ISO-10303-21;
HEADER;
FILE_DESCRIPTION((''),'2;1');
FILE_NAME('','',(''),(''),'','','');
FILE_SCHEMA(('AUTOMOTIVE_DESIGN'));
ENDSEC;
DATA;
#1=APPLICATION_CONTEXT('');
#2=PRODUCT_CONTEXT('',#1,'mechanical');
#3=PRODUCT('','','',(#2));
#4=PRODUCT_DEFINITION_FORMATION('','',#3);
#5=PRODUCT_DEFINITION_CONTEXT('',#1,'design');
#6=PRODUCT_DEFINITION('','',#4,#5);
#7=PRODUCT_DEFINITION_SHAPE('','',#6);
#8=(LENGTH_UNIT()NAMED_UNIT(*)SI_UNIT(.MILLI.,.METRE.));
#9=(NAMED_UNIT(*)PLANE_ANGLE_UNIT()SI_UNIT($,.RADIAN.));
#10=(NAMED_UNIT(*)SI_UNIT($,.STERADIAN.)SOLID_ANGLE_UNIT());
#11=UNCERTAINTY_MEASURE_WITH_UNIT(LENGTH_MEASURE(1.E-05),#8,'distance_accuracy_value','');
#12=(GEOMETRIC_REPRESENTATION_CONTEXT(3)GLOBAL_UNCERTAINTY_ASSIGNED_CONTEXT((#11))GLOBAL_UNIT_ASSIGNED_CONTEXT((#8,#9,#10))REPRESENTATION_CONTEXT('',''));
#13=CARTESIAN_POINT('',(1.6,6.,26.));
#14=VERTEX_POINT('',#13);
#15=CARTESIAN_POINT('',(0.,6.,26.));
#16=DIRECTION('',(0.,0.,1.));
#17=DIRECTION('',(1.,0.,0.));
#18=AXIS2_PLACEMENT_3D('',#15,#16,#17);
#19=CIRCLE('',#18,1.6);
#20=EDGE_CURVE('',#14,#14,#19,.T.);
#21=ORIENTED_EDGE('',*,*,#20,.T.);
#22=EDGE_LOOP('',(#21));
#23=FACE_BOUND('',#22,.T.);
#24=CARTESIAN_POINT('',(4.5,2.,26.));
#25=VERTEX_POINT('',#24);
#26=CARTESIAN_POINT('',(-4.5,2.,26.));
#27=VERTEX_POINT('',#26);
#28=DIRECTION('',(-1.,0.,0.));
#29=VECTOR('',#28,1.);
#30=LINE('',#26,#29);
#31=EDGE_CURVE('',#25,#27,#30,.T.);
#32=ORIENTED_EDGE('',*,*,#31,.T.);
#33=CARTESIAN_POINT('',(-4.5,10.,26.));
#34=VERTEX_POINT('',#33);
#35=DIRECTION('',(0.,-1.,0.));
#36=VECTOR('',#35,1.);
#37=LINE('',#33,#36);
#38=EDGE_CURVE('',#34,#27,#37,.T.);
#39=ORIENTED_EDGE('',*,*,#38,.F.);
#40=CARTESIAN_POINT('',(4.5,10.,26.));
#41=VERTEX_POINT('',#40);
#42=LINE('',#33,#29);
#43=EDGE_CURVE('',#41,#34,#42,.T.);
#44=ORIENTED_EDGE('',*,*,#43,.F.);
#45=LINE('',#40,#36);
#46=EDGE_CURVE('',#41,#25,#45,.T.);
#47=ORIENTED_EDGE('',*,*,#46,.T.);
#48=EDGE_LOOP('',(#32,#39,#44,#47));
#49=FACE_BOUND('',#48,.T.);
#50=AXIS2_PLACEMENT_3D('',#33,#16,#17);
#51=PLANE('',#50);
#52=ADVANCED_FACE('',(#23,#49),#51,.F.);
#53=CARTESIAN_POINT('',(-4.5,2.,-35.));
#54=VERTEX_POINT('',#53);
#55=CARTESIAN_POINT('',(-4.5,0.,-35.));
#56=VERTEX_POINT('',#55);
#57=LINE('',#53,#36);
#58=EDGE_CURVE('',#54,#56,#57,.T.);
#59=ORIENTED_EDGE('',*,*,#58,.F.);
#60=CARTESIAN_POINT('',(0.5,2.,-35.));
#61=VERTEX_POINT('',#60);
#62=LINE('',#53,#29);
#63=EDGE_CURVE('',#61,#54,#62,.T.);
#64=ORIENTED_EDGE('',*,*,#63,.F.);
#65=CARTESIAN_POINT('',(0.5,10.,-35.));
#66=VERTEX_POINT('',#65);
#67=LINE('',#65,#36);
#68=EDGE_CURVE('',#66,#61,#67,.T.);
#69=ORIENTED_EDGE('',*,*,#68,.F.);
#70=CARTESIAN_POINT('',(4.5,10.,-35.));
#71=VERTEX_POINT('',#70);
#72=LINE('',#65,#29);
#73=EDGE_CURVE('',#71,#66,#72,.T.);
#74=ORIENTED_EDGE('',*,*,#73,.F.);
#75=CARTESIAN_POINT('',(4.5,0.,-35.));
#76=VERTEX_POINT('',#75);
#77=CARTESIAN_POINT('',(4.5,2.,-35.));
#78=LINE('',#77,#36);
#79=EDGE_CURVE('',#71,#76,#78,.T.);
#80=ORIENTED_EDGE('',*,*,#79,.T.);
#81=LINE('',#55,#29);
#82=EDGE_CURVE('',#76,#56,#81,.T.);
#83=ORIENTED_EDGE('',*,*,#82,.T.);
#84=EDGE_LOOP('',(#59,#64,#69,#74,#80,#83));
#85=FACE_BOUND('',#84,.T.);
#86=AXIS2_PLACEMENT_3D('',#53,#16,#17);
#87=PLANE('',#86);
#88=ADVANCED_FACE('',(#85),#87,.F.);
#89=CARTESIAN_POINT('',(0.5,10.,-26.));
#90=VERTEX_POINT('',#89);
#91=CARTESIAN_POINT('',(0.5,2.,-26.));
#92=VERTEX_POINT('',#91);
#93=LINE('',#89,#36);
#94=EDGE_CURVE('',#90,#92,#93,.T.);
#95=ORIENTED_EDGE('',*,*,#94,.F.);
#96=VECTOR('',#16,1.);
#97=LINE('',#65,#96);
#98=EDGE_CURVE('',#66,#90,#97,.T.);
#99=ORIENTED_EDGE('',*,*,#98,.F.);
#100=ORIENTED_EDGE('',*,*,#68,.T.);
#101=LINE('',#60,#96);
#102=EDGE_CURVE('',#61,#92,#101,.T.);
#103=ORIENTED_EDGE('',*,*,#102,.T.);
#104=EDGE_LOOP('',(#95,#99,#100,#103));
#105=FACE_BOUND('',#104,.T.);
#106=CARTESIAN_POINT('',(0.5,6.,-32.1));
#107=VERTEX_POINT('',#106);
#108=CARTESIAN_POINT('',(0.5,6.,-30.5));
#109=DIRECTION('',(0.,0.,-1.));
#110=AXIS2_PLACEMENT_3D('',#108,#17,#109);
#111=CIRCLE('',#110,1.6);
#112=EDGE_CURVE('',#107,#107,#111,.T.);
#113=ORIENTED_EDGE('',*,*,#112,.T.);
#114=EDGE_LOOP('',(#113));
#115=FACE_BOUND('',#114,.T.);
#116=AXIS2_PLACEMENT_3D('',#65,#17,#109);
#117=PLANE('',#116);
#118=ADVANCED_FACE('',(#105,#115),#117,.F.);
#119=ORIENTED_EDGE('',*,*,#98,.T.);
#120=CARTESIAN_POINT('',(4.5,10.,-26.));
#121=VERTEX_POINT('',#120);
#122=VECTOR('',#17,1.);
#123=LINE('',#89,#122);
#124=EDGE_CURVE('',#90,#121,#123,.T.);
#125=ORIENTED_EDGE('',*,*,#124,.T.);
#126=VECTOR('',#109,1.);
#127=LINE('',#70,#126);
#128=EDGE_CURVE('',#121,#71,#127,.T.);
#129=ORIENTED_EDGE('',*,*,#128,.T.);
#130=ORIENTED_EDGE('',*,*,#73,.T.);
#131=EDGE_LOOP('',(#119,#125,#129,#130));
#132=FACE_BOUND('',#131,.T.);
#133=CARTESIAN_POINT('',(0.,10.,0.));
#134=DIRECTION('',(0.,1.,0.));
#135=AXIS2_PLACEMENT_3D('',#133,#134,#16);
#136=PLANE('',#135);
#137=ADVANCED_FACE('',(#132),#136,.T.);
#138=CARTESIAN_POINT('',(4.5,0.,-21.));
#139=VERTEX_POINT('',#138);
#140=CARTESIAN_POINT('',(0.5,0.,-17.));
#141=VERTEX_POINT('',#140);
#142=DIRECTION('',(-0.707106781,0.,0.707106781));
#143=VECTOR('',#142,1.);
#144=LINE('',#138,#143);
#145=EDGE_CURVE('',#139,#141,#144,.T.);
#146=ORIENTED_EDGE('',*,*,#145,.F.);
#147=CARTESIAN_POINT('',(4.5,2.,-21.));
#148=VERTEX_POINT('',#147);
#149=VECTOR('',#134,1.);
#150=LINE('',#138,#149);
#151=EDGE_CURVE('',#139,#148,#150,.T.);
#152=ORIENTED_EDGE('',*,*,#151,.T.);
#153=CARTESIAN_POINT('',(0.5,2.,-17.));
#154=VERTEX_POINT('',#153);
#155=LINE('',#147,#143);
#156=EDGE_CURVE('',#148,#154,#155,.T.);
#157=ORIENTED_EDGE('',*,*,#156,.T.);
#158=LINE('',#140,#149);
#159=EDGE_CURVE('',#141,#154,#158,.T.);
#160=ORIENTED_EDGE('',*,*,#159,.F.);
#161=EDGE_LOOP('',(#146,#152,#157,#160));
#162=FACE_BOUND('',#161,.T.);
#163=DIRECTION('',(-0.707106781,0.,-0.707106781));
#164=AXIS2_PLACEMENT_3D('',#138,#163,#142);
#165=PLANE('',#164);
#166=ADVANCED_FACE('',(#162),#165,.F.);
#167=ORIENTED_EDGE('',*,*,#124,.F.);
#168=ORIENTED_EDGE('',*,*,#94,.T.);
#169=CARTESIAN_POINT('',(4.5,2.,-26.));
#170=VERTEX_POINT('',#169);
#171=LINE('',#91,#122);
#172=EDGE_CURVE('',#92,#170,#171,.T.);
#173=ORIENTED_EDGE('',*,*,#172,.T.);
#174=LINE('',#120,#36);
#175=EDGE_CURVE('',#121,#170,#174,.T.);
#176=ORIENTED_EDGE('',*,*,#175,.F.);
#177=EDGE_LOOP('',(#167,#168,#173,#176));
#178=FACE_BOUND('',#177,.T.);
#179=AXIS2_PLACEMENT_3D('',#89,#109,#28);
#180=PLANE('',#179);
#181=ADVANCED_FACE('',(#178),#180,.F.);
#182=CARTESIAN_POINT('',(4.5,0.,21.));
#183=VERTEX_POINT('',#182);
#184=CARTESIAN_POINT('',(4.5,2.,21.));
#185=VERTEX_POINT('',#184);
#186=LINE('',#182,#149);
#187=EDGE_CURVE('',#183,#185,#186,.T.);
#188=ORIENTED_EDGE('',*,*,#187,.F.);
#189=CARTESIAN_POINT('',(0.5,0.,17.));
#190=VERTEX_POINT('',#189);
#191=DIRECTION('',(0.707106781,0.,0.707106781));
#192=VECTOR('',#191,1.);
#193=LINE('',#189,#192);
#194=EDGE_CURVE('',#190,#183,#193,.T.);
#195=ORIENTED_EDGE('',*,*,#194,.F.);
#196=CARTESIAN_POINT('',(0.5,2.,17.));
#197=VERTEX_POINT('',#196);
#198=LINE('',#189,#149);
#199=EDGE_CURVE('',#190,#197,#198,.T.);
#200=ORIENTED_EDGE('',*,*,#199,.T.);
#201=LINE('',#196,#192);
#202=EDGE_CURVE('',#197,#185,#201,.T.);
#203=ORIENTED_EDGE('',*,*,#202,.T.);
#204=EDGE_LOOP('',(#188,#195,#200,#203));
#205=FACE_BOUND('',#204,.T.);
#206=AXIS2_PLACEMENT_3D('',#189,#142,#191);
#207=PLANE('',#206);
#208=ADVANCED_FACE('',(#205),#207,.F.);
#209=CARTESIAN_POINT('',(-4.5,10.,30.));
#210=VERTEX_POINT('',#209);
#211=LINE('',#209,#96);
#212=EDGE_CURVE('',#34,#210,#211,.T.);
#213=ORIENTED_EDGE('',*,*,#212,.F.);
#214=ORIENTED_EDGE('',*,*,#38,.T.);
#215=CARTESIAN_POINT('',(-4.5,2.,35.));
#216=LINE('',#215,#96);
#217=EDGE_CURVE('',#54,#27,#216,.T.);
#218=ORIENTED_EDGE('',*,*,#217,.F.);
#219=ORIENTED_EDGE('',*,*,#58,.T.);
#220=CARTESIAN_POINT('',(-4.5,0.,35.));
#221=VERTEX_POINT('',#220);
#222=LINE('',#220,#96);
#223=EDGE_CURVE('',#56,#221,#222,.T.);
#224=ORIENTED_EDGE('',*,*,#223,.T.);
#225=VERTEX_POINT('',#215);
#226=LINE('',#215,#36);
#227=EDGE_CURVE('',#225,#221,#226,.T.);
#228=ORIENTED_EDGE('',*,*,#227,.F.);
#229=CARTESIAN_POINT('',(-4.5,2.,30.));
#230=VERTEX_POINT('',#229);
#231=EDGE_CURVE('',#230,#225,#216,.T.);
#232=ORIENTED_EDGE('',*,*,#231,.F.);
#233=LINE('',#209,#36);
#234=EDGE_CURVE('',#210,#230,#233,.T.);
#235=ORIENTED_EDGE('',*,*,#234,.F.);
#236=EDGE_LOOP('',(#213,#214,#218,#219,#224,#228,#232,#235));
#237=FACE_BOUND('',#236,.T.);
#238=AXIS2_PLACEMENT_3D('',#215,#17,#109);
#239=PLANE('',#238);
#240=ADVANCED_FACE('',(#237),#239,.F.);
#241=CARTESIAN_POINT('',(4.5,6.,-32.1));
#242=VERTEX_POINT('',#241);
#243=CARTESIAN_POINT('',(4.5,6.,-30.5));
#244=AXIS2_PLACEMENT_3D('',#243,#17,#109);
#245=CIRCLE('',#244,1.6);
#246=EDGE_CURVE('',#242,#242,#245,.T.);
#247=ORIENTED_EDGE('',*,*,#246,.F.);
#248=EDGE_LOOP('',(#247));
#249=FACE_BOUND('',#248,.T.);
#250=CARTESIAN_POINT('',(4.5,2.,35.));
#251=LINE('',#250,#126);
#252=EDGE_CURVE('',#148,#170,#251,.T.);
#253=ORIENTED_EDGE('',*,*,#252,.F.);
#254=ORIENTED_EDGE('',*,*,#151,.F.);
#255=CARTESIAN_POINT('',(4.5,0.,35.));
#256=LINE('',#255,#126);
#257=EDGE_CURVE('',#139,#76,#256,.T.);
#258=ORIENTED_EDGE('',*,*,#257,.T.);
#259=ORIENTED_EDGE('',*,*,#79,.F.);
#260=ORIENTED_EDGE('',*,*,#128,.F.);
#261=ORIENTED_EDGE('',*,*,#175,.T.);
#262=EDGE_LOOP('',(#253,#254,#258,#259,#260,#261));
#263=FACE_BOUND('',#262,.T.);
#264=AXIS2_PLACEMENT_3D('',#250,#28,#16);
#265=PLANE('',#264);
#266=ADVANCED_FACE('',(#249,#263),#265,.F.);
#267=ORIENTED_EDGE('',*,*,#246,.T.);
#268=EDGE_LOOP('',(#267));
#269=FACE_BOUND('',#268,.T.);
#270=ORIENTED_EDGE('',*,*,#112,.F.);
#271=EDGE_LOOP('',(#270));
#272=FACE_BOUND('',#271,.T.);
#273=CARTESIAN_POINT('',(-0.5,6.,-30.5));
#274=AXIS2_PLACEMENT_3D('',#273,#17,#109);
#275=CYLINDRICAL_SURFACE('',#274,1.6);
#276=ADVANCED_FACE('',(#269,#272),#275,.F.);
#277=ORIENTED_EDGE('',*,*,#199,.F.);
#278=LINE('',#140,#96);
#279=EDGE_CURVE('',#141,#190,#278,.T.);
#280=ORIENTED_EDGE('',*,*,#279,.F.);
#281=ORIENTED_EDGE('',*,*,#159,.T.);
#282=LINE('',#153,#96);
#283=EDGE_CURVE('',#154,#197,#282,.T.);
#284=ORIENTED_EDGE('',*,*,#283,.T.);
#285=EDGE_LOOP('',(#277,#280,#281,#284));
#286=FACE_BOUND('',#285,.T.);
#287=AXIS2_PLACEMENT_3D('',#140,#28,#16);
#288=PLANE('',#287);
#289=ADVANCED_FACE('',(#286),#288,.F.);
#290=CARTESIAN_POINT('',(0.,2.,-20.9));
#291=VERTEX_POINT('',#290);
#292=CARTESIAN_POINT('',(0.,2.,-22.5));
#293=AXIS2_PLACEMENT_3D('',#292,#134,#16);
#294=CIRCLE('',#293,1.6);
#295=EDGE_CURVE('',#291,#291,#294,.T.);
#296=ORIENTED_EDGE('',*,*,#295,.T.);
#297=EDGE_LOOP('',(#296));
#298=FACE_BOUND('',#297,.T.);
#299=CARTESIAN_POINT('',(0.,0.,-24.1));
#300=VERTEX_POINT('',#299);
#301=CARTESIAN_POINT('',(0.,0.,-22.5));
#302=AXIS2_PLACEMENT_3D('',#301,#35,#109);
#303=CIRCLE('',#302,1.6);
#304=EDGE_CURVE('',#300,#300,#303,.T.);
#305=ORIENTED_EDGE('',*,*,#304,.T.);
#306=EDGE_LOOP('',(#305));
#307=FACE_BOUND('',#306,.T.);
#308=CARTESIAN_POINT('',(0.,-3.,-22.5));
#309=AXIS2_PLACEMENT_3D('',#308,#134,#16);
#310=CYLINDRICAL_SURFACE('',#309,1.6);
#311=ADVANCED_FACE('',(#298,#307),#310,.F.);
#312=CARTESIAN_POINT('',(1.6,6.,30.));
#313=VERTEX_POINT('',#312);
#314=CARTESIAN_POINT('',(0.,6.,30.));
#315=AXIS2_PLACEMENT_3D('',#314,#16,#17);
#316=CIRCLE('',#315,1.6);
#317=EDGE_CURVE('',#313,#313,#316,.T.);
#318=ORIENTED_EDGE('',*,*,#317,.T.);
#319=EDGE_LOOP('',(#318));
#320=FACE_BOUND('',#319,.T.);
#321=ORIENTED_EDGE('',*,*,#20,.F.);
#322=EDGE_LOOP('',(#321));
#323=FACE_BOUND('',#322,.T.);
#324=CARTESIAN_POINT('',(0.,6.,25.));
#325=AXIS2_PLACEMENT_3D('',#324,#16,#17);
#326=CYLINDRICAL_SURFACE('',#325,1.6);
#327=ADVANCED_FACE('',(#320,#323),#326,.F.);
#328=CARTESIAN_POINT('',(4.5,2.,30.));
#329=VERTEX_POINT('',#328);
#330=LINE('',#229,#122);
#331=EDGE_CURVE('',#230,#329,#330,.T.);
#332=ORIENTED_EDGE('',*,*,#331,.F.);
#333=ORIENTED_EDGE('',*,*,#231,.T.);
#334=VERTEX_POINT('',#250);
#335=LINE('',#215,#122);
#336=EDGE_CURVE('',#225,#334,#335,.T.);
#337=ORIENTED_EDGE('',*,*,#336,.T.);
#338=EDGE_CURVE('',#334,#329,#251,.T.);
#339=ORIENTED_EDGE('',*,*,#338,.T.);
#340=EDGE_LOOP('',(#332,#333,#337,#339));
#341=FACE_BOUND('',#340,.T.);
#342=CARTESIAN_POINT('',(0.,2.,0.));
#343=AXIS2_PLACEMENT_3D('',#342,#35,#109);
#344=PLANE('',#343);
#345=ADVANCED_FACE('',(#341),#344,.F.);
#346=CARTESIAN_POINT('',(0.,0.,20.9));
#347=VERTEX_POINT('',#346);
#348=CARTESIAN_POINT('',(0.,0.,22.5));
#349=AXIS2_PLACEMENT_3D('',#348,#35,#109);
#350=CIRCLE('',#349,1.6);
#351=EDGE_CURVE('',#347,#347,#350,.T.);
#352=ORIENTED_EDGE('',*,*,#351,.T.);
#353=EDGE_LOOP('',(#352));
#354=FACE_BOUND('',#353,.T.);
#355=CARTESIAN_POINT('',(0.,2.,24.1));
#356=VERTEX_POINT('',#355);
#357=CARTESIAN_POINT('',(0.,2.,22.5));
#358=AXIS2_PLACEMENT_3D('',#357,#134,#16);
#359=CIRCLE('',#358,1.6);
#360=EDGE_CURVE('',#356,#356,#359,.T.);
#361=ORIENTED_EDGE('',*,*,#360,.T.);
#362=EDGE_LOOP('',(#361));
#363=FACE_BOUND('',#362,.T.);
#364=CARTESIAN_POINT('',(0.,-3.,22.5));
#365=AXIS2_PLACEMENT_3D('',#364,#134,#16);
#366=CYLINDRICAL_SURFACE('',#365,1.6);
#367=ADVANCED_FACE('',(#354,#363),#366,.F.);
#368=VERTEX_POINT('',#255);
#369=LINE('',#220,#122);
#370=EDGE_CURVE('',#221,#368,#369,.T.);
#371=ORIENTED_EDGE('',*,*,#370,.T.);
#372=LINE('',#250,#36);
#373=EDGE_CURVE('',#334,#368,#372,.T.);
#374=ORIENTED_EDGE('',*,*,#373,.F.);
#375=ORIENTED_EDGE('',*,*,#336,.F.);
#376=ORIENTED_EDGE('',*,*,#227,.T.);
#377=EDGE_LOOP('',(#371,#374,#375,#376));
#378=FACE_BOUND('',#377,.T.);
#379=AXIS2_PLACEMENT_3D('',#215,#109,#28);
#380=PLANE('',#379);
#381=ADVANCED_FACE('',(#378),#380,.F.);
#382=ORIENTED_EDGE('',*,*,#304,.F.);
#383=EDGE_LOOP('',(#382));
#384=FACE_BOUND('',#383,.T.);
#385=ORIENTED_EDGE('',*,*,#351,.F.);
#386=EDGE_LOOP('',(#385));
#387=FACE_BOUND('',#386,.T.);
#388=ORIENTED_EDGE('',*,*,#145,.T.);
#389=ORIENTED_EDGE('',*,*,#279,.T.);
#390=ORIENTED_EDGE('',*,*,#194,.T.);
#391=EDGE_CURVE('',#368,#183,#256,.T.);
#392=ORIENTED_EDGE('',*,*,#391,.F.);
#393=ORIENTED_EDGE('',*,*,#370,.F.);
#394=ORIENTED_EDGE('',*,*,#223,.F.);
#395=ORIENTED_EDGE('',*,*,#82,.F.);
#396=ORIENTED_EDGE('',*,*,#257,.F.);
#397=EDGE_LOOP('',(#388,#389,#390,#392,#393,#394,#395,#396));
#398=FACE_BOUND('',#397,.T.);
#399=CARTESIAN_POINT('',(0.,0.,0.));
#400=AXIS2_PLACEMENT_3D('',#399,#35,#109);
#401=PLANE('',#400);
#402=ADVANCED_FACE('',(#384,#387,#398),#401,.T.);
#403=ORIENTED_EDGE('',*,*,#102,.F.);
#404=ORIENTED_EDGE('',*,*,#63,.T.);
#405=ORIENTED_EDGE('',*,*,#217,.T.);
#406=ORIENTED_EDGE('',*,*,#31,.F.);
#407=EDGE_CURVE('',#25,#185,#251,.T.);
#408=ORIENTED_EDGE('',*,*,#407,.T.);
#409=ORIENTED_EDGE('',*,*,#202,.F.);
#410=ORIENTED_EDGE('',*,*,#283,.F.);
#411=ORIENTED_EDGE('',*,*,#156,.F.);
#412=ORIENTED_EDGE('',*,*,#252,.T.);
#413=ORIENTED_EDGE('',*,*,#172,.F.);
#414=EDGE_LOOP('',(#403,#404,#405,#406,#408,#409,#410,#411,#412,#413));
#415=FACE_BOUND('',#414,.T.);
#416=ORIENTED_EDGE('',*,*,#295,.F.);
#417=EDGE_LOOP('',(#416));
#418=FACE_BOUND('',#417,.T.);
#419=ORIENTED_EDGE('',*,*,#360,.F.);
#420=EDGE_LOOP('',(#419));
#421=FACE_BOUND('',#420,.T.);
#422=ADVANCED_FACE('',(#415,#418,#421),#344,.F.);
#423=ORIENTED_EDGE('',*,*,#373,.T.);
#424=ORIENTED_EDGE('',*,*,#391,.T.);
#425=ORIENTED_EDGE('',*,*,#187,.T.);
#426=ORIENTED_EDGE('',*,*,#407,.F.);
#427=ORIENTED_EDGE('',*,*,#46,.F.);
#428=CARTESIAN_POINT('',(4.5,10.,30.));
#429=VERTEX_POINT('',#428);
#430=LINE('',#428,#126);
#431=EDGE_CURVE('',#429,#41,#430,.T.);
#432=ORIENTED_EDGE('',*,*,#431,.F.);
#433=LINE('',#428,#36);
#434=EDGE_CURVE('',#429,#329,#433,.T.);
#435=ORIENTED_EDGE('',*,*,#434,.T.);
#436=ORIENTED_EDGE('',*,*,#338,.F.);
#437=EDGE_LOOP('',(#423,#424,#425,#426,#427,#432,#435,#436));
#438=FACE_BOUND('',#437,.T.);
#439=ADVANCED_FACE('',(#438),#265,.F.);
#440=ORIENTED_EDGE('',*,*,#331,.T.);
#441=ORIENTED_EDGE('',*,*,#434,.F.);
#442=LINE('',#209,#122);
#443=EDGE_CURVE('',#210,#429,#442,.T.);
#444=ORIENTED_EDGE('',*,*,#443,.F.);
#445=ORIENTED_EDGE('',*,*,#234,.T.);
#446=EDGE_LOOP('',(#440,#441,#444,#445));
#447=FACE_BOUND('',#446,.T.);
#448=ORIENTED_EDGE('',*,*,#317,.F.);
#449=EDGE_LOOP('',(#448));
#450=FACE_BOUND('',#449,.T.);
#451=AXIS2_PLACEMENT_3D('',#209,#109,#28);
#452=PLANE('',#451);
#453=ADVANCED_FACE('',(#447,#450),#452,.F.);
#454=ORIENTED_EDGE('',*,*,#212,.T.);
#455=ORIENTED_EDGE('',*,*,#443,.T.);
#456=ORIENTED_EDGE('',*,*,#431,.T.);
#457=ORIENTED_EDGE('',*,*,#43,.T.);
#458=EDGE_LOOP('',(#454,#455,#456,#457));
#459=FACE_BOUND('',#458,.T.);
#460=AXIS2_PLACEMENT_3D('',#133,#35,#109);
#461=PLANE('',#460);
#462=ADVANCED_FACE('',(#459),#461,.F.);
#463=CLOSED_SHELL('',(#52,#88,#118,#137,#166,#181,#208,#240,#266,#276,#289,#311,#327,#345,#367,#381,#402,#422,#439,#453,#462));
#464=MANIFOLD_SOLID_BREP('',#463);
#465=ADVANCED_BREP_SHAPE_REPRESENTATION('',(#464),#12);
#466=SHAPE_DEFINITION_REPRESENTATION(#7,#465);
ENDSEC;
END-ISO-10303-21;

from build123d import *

# Parameters (mm, degrees)
ESBO_O6_W                = 9
ESBO_O6_H                = 70
RESSALTO_EXTRUS_O5_DEPTH = 2
ESBO_O7_W                = 9
ESBO_O7_H                = 4
ESBO_O7_W_2              = 4
ESBO_O7_H_2              = 9
RESSALTO_EXTRUS_O6_DEPTH = 8
ESBO_O8_R                = 1.6
CORTE_EXTRUS_O4_DEPTH    = 5
ESBO_O9_R                = 1.6
CORTE_EXTRUS_O5_DEPTH    = 5
CORTE_EXTRUS_O8_DEPTH    = 37.183559803
ESBO_O12_R               = 1.6
CORTE_EXTRUS_O9_DEPTH    = 5


with BuildPart() as part:
    # Esboço6 → Ressalto-extrusão5 (new body)
    with BuildSketch(Plane(origin=(0, 0, 0), x_dir=(1, 0, 0), z_dir=(0, 1, 0))):
        Rectangle(ESBO_O6_W, ESBO_O6_H)
    extrude(amount=RESSALTO_EXTRUS_O5_DEPTH)

    # Esboço7 → Ressalto-extrusão6 (add)
    with BuildSketch(Plane(origin=(0, 2, 0), x_dir=(1, 0, 0), z_dir=(0, 1, 0))):
        with Locations((0, -28)):
            Rectangle(ESBO_O7_W, ESBO_O7_H)
        with Locations((2.5, 30.5)):
            Rectangle(ESBO_O7_W_2, ESBO_O7_H_2)
    extrude(amount=RESSALTO_EXTRUS_O6_DEPTH)

    # Esboço8 → Corte-extrusão4 (cut)
    with BuildSketch(Plane.XY.offset(30)):
        with Locations((0, 6)):
            Circle(ESBO_O8_R)
    extrude(amount=-CORTE_EXTRUS_O4_DEPTH, mode=Mode.SUBTRACT)

    # Esboço9 → Corte-extrusão5 (cut)
    with BuildSketch(Plane(origin=(4.5, 0, 0), x_dir=(0, 0, -1), z_dir=(1, 0, 0))):
        with Locations((30.5, 6)):
            Circle(ESBO_O9_R)
    extrude(amount=-CORTE_EXTRUS_O5_DEPTH, mode=Mode.SUBTRACT)

    # Esboço10 → Corte-extrusão8 (cut, through all)
    with BuildSketch(Plane(origin=(0, 2, 0), x_dir=(1, 0, 0), z_dir=(0, 1, 0))):
        Polygon((4.5, 21), (0.5, 17), (0.5, -17), (4.5, -21), align=None)
    extrude(amount=-CORTE_EXTRUS_O8_DEPTH, mode=Mode.SUBTRACT)

    # Esboço12 → Corte-extrusão9 (cut)
    with BuildSketch(Plane(origin=(0, 2, 0), x_dir=(1, 0, 0), z_dir=(0, 1, 0))):
        with Locations(Location((0, 22.5, 0), (0, 0, 270))):
            Circle(ESBO_O12_R)
        with Locations(Location((0, -22.5, 0), (0, 0, 270))):
            Circle(ESBO_O12_R)
    extrude(amount=-CORTE_EXTRUS_O9_DEPTH, mode=Mode.SUBTRACT)


solid = part.part
